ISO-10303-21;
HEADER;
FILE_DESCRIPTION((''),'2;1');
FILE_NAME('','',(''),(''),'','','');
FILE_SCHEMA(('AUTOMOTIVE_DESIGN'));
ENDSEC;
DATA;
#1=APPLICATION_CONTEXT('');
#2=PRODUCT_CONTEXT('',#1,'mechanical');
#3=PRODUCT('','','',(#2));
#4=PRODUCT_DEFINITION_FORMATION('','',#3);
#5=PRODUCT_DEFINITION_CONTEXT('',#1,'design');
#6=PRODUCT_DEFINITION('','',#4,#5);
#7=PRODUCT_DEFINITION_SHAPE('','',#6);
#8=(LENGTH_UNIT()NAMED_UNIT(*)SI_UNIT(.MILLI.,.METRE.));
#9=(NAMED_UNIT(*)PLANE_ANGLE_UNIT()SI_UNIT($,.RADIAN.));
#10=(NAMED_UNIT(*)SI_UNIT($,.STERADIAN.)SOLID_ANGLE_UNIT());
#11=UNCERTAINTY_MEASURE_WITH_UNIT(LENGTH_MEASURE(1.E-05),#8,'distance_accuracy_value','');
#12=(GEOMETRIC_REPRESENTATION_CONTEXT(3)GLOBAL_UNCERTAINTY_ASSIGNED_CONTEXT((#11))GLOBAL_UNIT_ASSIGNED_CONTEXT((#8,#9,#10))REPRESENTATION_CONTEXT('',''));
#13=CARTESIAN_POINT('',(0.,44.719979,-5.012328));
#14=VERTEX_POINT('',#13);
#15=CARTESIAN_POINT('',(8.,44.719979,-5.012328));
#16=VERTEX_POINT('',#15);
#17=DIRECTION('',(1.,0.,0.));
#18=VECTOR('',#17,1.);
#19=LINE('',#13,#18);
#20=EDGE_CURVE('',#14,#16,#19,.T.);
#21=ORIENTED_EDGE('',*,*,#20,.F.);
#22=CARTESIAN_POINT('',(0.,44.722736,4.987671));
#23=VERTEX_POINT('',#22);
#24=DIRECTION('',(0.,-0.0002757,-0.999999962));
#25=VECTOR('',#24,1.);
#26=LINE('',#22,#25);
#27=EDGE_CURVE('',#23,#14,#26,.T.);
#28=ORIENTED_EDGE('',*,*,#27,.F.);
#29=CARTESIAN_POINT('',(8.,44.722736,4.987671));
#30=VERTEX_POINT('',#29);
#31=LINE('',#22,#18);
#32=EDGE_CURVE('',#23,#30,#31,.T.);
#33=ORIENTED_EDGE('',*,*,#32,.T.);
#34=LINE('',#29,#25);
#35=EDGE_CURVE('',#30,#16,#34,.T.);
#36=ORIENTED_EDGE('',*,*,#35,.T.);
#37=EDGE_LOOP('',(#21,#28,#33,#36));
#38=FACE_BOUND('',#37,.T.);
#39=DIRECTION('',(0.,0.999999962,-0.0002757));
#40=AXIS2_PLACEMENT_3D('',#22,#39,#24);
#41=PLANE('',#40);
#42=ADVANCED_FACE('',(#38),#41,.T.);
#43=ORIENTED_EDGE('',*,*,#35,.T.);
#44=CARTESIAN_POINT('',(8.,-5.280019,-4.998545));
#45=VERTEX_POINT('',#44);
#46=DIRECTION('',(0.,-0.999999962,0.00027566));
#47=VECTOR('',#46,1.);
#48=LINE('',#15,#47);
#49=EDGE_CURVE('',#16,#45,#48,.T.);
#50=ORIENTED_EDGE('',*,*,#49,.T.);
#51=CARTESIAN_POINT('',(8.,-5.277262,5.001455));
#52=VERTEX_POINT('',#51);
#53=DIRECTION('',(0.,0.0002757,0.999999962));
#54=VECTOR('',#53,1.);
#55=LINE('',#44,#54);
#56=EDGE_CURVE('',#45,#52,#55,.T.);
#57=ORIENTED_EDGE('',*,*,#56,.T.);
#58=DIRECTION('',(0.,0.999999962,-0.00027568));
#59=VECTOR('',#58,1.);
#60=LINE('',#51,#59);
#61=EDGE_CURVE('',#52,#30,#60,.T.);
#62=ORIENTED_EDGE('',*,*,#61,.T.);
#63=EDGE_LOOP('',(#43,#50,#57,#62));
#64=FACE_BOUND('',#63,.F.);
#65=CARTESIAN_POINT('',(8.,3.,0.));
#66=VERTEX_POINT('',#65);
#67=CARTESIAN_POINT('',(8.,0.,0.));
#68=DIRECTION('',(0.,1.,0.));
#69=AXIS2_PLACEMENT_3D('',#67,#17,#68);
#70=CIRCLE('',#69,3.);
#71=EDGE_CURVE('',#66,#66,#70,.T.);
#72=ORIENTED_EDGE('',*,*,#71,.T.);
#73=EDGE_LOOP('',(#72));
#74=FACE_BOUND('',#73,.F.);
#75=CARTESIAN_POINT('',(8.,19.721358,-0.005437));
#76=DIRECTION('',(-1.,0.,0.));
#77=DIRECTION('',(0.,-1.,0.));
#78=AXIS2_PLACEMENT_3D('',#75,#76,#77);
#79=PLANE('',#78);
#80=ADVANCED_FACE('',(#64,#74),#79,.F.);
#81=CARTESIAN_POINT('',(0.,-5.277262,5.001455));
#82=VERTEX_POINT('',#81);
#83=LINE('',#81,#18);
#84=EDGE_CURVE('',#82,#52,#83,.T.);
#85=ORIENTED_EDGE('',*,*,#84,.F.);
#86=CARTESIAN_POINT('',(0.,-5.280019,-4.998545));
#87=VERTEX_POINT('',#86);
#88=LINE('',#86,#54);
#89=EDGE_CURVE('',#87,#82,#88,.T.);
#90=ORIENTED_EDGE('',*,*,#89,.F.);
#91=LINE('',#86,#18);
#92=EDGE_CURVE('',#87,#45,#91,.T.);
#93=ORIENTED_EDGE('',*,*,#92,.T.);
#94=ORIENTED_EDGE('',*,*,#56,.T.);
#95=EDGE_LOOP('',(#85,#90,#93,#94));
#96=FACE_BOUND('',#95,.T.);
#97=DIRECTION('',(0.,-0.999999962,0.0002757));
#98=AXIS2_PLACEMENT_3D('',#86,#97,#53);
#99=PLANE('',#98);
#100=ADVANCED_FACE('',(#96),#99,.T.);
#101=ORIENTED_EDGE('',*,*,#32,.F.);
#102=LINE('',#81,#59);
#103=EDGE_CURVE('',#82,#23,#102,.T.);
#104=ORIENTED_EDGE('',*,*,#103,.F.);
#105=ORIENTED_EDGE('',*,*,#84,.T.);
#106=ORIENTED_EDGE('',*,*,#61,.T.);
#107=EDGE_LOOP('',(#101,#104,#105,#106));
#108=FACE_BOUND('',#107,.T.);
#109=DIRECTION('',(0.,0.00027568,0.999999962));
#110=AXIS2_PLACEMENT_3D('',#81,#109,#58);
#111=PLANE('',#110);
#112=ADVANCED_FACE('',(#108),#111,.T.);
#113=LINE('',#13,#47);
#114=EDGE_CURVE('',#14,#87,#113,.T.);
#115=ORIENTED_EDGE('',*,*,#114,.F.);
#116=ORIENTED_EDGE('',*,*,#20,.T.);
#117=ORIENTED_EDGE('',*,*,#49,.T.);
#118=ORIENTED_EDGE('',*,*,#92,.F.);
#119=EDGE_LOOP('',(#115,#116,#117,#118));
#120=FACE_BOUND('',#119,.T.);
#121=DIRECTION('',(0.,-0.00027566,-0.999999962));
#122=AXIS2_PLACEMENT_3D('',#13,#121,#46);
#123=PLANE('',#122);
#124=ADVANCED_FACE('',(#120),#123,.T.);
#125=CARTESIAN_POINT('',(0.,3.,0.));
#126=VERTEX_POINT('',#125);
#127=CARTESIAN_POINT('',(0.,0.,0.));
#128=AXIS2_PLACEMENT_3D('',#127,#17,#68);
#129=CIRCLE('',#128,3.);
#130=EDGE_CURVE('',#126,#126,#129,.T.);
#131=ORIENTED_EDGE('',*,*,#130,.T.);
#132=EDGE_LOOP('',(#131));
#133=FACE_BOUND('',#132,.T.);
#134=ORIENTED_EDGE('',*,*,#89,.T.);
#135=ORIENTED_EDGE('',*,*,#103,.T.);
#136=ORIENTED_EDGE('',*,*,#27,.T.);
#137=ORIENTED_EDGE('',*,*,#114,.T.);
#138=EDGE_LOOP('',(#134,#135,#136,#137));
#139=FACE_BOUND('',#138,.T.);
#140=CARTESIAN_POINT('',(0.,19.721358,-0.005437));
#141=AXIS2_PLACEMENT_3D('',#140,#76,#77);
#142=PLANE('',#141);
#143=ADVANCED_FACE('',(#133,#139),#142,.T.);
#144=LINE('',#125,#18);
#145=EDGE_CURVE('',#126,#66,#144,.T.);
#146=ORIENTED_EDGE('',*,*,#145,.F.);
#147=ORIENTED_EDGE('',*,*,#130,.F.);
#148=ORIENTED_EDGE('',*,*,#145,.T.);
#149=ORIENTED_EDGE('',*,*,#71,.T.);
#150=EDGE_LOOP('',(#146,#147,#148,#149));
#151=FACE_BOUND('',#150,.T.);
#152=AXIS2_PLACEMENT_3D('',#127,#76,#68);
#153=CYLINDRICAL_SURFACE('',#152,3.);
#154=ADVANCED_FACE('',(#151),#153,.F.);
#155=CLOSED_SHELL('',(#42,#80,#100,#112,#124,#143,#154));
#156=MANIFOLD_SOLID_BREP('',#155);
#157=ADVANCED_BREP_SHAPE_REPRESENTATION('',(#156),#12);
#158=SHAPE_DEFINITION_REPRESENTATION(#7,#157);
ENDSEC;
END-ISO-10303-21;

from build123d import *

# Parameters (mm, degrees)
SKETCH_R  = 3
PAD_DEPTH = 8


with BuildPart() as part:
    # Sketch → Pad (new body)
    with BuildSketch(Plane.YZ):
        Polygon((-5.277262, 5.001455), (44.722736, 4.987671), (44.719979, -5.012328), (-5.280019, -4.998545), align=None)
        Circle(SKETCH_R, mode=Mode.SUBTRACT)
    extrude(amount=PAD_DEPTH)


solid = part.part
